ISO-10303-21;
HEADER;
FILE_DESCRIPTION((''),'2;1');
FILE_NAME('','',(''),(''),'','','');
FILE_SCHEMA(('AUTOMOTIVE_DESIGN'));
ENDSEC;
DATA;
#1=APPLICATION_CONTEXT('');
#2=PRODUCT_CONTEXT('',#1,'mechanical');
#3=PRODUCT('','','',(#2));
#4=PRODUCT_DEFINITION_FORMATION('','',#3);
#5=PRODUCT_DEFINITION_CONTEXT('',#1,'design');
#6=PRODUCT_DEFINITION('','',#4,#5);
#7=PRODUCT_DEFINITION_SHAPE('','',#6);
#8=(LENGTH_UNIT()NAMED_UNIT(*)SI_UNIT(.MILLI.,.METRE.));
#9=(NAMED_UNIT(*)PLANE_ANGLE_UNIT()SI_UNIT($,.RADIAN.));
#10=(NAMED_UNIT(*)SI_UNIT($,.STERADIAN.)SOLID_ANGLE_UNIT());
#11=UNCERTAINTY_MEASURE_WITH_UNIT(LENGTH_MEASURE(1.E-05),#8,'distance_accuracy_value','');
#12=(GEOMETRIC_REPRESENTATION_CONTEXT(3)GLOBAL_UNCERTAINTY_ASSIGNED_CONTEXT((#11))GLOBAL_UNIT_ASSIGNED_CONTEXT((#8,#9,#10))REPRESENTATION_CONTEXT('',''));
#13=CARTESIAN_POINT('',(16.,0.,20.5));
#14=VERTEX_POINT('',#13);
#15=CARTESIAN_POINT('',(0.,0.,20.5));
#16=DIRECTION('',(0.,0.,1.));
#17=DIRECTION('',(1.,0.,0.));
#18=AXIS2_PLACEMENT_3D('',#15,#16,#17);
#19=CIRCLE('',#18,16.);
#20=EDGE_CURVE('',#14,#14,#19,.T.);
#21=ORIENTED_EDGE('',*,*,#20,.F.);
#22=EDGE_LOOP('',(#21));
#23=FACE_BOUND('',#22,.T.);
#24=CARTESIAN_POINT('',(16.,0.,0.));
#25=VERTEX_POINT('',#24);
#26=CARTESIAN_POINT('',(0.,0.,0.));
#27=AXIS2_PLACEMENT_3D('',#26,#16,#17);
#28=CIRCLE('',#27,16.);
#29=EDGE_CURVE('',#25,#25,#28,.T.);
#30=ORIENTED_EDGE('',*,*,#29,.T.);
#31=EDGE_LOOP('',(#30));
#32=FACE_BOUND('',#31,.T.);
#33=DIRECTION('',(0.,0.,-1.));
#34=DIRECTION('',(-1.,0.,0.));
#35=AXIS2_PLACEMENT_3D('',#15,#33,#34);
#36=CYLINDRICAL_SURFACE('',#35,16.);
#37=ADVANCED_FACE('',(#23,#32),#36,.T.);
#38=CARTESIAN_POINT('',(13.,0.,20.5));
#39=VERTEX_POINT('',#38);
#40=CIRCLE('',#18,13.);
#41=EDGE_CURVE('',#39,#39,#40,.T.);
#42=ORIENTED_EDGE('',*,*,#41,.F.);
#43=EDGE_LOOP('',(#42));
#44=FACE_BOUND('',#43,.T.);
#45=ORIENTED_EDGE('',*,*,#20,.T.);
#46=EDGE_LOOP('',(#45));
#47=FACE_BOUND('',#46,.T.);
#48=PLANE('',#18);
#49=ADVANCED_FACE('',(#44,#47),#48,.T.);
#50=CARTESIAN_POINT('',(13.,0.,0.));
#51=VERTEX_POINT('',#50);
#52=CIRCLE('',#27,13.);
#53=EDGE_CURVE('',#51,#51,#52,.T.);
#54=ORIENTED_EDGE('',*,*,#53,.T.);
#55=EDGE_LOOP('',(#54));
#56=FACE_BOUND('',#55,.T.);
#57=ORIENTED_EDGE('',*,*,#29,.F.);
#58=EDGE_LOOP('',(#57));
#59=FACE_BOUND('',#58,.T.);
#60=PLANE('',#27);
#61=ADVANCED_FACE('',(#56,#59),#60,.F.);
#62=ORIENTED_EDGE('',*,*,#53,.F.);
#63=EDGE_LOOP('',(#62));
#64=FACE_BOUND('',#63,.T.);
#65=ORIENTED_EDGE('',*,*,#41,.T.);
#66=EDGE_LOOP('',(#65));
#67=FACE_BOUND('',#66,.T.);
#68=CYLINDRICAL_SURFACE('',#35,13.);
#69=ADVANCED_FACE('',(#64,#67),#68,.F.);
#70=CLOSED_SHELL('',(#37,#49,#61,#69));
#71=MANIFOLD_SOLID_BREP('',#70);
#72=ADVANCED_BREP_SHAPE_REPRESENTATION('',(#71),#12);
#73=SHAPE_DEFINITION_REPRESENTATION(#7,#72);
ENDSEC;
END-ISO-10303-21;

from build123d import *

# Parameters (mm, degrees)
SKETCH_1_R      = 16
SKETCH_1_R_2    = 13
EXTRUDE_1_DEPTH = 20.5


with BuildPart() as part:
    # 草图1 → 凸台-拉伸1 (new body)
    with BuildSketch(Plane.XY):
        Circle(SKETCH_1_R)
        Circle(SKETCH_1_R_2, mode=Mode.SUBTRACT)
    extrude(amount=EXTRUDE_1_DEPTH)


solid = part.part
